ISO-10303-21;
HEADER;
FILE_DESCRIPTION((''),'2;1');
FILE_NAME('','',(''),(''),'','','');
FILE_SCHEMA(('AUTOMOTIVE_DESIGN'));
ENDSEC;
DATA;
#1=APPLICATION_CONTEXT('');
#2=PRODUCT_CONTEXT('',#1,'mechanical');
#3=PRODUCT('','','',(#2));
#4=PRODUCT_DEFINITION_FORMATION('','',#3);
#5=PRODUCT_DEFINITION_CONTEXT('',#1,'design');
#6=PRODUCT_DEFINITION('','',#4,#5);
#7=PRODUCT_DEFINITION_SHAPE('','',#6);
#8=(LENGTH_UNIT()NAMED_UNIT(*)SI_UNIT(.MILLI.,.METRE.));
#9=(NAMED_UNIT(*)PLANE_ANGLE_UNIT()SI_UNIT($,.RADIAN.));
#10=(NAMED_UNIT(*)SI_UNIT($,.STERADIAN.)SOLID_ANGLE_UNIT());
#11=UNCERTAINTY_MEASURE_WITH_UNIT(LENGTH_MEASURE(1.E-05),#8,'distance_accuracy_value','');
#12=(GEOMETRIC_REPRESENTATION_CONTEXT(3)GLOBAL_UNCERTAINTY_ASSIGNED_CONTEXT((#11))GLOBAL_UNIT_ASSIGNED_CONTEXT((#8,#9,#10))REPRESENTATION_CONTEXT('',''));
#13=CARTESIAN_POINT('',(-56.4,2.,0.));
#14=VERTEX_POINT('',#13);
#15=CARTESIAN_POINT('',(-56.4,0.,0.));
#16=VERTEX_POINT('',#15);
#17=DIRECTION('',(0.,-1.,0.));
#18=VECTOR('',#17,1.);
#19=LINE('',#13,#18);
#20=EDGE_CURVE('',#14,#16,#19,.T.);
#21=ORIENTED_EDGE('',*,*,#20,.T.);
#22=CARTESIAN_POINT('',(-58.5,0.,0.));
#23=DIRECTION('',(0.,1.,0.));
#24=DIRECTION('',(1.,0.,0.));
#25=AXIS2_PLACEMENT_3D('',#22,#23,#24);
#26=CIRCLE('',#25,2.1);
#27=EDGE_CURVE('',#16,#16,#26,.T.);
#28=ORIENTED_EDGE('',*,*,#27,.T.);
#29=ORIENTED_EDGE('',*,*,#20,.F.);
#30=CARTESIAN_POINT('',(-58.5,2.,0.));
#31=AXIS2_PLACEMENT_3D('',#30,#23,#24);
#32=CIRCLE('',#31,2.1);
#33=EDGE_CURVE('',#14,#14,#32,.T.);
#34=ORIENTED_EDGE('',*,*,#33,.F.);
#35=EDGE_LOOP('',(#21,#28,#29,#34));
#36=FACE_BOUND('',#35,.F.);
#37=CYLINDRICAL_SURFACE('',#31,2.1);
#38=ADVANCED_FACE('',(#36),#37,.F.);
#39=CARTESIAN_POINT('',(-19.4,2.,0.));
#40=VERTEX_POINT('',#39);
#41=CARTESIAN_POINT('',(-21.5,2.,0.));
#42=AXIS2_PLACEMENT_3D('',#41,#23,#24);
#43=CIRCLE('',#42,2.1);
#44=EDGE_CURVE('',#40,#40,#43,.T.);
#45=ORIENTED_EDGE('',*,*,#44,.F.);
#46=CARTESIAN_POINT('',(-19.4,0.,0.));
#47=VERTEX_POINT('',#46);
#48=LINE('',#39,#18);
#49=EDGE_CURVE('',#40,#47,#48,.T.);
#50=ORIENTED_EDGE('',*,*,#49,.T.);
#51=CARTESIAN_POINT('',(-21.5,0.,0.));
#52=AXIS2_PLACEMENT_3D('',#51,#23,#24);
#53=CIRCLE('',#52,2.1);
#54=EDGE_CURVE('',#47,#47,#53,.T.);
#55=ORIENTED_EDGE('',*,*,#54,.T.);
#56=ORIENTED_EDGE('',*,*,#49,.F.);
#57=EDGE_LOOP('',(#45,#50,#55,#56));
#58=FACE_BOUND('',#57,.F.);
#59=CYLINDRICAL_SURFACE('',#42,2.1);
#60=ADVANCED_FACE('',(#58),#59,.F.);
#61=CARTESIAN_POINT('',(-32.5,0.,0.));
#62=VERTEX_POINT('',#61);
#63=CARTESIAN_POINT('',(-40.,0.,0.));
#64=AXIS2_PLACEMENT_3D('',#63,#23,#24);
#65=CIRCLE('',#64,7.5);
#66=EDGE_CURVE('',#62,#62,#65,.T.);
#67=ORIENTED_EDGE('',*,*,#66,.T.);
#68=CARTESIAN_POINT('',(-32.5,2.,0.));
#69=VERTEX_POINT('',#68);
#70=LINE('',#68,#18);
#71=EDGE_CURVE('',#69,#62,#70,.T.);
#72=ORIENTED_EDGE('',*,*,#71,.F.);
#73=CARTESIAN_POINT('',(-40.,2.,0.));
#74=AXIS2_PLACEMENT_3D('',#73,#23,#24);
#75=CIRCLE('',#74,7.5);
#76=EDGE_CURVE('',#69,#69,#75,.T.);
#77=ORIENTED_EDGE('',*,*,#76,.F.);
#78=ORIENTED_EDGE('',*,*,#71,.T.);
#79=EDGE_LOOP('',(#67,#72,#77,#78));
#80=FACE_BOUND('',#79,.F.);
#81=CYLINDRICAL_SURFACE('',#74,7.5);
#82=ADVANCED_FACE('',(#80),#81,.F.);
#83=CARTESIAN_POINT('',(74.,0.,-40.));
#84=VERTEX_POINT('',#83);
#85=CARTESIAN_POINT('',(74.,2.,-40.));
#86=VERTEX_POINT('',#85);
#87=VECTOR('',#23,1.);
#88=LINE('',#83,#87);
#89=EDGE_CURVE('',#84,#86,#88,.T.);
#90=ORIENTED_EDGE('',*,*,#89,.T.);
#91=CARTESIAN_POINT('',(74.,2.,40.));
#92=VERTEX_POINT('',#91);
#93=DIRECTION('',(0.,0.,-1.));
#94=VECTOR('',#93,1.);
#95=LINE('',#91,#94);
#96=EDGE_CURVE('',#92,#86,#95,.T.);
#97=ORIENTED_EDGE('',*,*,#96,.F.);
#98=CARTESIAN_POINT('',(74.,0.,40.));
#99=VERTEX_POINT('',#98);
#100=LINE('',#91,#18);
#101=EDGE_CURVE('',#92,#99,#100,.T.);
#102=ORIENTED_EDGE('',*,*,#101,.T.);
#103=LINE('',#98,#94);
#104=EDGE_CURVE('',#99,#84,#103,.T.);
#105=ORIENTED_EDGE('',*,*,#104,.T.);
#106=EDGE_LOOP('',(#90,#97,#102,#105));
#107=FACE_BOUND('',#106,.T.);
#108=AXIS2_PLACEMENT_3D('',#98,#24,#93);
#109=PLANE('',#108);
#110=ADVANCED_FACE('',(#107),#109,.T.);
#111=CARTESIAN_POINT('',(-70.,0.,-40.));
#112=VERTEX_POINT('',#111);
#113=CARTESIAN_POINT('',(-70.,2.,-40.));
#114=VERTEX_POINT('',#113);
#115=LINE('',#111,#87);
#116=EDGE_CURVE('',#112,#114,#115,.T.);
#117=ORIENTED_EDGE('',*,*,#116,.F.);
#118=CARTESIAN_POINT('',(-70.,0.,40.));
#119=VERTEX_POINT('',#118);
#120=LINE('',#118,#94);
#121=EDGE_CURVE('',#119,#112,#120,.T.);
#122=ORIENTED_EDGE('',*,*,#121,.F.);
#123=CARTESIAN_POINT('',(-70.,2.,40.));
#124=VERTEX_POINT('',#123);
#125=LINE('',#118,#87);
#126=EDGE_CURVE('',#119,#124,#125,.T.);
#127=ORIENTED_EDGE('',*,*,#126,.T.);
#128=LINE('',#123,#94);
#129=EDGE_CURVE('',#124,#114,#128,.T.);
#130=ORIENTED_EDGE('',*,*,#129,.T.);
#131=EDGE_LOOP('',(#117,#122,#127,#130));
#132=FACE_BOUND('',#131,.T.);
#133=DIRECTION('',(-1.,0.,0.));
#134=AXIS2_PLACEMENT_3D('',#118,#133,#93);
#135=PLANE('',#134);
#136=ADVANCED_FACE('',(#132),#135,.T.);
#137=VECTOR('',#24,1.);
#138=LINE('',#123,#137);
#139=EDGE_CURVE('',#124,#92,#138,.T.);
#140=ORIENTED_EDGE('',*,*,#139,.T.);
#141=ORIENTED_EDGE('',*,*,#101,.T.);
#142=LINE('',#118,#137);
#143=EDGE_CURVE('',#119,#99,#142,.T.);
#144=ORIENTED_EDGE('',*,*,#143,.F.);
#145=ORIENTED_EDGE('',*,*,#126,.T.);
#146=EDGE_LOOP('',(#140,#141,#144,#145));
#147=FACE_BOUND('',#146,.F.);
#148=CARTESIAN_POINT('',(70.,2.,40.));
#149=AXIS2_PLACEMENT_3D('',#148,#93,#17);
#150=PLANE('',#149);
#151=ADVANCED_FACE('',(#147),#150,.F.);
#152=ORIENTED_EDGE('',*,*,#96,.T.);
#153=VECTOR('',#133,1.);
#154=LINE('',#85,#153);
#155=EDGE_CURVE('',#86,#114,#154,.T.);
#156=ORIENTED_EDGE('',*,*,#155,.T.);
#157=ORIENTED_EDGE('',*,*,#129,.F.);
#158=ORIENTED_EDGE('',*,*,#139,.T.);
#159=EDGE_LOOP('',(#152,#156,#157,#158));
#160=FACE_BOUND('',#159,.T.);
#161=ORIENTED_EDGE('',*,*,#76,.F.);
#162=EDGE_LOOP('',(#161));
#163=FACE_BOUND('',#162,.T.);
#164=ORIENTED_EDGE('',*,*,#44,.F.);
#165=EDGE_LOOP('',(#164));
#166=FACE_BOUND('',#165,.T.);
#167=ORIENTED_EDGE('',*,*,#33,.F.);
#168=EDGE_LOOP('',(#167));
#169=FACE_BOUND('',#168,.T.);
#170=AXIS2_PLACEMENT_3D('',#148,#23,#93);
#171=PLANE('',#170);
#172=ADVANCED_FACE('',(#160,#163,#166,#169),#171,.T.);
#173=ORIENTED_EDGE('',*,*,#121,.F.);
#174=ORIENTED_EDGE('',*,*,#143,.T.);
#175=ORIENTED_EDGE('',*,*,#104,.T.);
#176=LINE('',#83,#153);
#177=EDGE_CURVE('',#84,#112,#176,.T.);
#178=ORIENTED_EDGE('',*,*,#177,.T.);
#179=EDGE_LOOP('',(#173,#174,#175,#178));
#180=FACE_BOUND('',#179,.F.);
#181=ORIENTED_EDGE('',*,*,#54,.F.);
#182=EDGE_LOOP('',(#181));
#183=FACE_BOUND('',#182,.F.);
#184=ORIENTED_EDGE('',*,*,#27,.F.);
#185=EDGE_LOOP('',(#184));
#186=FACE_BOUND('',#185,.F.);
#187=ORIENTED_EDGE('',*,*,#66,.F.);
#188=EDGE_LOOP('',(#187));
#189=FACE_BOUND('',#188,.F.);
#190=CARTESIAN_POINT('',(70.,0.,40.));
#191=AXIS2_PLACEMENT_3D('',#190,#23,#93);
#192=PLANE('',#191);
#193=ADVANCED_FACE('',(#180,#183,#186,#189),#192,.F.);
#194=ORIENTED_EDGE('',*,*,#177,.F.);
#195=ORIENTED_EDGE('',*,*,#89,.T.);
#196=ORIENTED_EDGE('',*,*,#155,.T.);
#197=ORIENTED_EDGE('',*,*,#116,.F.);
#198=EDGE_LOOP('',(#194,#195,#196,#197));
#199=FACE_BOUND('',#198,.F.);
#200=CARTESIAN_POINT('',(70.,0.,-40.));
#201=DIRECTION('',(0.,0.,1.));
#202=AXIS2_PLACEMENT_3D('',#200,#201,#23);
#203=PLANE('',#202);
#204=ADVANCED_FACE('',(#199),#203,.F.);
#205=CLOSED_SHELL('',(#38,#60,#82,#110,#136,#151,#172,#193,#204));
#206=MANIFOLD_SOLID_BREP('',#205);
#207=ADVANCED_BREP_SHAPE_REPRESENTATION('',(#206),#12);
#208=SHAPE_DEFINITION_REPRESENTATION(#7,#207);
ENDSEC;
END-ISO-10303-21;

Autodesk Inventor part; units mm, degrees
ref_plane "YZ Plane" through (0, 0, 0) normal (1, 0, 0) x (0, 1, 0)
ref_plane "XZ Plane" through (0, 0, 0) normal (0, 1, 0) x (-1, 0, 0)
ref_plane "XY Plane" through (0, 0, 0) normal (0, 0, 1) x (1, 0, 0)
sketch "スケッチ1" plane through (0, 0, 0) normal (0, 1, 0) x (-1, 0, 0)
  line L0 (-70, 40) -> (70, 40)
  line L1 (70, 40) -> (70, -40)
  line L2 (70, -40) -> (-70, -40)
  line L3 (-70, -40) -> (-70, 40)
  line L4 (-70, 40) -> (70, -40) construction
  line L5 (70, 40) -> (-70, -40) construction
  point P0 (0, 0)
  dimension "d0" = 140
  dimension "d1" = 80
extrude "押し出し1" add sketch "スケッチ1" along normal blind 2
sketch "スケッチ2" plane through (0, 2, 0) normal (0, 1, 0) x (1, 0, 0)
  circle A0 centre (-40, 0) radius 7.5
  circle A1 centre (-58.5, 0) radius 2.1
  circle A2 centre (-21.5, 0) radius 2.1
  line L0 (70, 40) -> (70, -40) projected
  point P0 (0, 0)
  dimension "d4" = 15
  dimension "d6" = 4.2
  dimension "d7" = 4.2
  dimension "d8" = 37
  dimension "d9" = 18.5
  dimension "d12" = 110
extrude "押し出し2" cut sketch "スケッチ2" against normal blind 8
sketch "スケッチ3" plane through (70, 0, 40) normal (1, 0, 0) x (0, 0, -1)
  line L0 (0, 2) -> (80, 2) projected
  line L1 (0, 0) -> (80, 0)
  line L2 (80, 0) -> (80, 2)
  line L3 (80, 2) -> (0, 2)
  line L4 (0, 2) -> (0, 0)
  point P0 (40, 0)
extrude "押し出し3" add sketch "スケッチ3" along normal blind 4
properties part number "sholder_2" material "アルミニウム 6061"
